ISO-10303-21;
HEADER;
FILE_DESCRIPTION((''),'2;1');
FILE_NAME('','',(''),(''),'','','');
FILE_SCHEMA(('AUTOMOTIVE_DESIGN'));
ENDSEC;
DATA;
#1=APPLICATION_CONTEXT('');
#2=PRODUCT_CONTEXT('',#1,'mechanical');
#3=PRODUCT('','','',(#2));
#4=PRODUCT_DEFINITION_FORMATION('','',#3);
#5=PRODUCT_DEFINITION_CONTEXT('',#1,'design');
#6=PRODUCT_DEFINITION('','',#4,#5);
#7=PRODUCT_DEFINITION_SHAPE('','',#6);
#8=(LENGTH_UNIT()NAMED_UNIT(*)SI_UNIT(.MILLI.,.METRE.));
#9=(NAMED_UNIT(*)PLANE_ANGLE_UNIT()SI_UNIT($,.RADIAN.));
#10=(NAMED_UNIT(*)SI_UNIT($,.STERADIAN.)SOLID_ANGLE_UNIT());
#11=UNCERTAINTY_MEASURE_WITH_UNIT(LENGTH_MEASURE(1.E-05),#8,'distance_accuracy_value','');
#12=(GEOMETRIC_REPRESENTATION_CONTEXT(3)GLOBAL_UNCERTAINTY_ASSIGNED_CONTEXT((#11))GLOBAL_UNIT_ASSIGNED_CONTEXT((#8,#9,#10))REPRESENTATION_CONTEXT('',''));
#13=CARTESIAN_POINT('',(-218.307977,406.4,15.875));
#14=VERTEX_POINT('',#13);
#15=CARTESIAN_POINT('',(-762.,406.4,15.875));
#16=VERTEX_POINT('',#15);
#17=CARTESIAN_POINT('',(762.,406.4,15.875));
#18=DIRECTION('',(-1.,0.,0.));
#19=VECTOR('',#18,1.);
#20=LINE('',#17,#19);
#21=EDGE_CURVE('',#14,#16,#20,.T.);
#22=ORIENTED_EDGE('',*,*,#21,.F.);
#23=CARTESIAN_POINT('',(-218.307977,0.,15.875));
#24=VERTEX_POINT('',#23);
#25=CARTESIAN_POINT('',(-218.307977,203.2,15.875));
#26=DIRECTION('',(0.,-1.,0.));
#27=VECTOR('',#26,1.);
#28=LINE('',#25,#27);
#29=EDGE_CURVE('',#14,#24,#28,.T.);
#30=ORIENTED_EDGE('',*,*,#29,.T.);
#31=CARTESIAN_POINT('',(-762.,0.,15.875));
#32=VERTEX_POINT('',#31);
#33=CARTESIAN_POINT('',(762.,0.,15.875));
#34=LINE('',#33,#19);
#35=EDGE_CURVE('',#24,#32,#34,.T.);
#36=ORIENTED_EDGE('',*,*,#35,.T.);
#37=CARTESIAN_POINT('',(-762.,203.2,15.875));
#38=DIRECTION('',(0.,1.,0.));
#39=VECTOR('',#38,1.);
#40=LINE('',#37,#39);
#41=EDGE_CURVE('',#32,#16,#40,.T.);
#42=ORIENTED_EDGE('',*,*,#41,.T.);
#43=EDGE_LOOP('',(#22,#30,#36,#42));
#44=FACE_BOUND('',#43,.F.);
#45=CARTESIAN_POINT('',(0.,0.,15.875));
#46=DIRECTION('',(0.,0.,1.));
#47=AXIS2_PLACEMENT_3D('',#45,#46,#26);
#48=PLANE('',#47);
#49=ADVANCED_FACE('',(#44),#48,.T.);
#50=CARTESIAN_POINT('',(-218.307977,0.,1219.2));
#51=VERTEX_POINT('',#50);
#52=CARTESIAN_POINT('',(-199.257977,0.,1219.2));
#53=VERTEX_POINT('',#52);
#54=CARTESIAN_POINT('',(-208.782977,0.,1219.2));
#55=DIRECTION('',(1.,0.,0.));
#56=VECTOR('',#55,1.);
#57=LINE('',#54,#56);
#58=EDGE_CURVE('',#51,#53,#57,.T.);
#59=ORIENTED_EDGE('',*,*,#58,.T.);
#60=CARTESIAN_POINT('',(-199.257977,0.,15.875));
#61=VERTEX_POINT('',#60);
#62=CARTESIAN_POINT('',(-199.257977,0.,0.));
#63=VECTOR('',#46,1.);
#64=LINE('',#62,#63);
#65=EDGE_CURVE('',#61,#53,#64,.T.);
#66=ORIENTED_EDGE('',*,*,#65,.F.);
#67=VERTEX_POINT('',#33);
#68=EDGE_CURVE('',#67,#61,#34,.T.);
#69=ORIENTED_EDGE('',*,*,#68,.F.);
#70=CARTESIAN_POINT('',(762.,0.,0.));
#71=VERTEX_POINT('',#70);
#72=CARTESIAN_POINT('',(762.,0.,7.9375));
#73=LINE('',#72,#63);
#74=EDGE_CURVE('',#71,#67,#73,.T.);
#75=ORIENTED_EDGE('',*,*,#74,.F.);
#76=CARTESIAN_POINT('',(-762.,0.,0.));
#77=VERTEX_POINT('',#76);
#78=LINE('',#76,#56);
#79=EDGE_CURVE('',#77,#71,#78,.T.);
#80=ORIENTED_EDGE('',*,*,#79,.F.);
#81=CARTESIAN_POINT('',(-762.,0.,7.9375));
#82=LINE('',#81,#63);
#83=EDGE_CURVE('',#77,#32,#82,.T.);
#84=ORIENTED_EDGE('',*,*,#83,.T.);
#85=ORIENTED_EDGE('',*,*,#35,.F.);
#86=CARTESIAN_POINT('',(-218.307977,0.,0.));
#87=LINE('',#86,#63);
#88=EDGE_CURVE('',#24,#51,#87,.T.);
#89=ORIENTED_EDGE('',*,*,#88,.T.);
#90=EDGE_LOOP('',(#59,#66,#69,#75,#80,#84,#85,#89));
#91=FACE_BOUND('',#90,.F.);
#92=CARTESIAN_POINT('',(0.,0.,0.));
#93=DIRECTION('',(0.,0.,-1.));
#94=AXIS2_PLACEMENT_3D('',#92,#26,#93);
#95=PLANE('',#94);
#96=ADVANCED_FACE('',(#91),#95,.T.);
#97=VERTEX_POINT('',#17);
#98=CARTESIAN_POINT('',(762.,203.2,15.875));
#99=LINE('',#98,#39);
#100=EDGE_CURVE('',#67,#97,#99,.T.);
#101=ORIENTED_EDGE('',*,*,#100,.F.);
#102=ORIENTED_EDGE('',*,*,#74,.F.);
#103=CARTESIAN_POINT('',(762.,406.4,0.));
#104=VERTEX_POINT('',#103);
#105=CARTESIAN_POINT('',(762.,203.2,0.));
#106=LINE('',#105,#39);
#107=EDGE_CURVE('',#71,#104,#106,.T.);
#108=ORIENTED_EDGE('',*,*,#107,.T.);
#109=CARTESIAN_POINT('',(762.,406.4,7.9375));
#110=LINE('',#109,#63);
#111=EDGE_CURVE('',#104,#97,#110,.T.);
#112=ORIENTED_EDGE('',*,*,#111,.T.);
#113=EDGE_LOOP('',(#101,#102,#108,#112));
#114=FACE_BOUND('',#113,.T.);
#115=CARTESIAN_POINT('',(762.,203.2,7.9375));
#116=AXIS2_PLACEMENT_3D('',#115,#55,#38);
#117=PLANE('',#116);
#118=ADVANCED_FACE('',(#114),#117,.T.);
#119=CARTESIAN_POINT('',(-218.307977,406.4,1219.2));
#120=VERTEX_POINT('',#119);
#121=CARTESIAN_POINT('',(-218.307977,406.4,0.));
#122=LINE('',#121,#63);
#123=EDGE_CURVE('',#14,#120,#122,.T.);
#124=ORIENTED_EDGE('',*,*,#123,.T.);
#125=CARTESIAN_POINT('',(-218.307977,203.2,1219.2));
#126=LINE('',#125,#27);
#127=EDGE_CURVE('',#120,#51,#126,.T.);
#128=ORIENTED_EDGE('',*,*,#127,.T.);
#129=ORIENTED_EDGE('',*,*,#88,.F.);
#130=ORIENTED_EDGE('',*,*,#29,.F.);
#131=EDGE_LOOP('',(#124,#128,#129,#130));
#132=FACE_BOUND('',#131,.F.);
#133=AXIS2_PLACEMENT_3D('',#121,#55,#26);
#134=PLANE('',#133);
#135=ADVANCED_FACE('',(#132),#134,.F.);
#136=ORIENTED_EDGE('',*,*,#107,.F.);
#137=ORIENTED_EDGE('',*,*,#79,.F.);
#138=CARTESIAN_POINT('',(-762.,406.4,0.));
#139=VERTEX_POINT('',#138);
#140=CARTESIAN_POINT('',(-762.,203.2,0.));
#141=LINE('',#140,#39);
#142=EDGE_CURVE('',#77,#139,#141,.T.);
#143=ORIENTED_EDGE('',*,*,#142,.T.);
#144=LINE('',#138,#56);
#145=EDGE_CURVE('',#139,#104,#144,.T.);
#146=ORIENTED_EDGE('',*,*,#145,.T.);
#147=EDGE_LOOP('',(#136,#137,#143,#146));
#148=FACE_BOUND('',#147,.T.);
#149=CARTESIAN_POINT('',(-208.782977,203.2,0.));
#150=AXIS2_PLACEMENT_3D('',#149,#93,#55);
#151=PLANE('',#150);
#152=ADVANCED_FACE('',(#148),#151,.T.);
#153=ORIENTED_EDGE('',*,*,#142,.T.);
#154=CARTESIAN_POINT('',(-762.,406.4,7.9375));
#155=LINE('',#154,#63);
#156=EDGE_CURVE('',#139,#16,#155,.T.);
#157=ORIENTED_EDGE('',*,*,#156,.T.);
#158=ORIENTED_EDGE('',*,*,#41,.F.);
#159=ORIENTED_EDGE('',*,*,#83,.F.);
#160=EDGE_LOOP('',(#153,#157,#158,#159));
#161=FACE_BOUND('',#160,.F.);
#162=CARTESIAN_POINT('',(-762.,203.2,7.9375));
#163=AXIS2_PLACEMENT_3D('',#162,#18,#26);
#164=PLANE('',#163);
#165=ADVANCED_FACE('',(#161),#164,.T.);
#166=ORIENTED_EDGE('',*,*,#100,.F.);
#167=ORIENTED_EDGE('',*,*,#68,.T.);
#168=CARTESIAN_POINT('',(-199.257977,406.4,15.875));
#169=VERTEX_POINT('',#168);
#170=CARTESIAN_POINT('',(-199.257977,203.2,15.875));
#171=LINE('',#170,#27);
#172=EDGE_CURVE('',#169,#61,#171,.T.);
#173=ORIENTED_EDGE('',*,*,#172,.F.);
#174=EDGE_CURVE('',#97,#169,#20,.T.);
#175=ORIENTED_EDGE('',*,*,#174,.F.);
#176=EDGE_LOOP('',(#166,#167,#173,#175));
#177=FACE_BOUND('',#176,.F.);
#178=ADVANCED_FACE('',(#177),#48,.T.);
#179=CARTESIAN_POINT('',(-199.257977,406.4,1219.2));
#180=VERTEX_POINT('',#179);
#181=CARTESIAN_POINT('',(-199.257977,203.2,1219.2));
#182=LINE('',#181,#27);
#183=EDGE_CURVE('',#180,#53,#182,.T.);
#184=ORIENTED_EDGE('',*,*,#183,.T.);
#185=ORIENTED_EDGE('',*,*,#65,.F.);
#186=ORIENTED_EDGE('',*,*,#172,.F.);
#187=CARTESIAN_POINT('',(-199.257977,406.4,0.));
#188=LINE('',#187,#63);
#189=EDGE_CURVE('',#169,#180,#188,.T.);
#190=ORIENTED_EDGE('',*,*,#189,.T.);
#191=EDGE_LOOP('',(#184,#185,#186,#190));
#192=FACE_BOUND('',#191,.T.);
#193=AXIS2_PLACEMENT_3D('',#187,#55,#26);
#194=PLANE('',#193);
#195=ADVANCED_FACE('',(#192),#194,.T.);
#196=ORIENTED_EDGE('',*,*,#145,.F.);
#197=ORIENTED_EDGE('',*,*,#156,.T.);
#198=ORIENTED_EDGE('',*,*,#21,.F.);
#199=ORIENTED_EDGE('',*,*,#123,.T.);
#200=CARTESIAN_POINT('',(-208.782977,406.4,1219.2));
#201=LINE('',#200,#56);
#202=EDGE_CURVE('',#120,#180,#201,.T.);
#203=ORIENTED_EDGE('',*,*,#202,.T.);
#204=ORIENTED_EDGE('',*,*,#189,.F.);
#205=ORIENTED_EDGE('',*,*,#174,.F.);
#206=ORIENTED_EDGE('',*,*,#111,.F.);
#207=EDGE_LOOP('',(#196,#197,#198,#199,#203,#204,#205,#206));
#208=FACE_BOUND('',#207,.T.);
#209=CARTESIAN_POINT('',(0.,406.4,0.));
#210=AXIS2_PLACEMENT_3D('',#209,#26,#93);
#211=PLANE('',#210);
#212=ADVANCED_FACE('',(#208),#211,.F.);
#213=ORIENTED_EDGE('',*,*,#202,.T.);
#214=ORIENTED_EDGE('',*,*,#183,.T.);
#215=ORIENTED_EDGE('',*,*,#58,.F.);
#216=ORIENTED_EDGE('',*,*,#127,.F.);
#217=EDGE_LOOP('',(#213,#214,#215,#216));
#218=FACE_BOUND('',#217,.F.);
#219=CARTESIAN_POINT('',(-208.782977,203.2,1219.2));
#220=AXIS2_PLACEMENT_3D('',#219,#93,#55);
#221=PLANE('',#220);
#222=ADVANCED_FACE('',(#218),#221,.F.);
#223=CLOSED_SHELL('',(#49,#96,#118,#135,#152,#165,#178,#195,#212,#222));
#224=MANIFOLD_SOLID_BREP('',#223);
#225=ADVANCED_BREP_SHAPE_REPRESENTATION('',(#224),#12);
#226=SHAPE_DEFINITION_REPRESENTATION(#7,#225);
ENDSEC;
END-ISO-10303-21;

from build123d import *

# Parameters (mm, degrees)
F0_W     = 406.4
F0_H     = 15.875
F1_DEPTH = 762
F4_W     = 19.05
F4_H     = 406.4
F5_DEPTH = 1219.2


with BuildPart() as f1:
    # F0 (on Right) → F1 (new body)
    with BuildSketch(Plane.YZ):
        with Locations((203.2, 7.9375)):
            Rectangle(F0_W, F0_H)
    extrude(amount=F1_DEPTH)

    # F2: F1 across plane


with BuildPart() as f1_1:
    add(f1.part)
    add(f1.part.mirror(Plane.YZ))

    # F4 (on face) → F5 (join)
    with BuildSketch(Plane(origin=(0, 0, 0), x_dir=(1, 0, 0), z_dir=(0, 0, -1))):
        with Locations((-208.782977, -203.2)):
            Rectangle(F4_W, F4_H)
    extrude(amount=-F5_DEPTH)


solid = f1_1.part
